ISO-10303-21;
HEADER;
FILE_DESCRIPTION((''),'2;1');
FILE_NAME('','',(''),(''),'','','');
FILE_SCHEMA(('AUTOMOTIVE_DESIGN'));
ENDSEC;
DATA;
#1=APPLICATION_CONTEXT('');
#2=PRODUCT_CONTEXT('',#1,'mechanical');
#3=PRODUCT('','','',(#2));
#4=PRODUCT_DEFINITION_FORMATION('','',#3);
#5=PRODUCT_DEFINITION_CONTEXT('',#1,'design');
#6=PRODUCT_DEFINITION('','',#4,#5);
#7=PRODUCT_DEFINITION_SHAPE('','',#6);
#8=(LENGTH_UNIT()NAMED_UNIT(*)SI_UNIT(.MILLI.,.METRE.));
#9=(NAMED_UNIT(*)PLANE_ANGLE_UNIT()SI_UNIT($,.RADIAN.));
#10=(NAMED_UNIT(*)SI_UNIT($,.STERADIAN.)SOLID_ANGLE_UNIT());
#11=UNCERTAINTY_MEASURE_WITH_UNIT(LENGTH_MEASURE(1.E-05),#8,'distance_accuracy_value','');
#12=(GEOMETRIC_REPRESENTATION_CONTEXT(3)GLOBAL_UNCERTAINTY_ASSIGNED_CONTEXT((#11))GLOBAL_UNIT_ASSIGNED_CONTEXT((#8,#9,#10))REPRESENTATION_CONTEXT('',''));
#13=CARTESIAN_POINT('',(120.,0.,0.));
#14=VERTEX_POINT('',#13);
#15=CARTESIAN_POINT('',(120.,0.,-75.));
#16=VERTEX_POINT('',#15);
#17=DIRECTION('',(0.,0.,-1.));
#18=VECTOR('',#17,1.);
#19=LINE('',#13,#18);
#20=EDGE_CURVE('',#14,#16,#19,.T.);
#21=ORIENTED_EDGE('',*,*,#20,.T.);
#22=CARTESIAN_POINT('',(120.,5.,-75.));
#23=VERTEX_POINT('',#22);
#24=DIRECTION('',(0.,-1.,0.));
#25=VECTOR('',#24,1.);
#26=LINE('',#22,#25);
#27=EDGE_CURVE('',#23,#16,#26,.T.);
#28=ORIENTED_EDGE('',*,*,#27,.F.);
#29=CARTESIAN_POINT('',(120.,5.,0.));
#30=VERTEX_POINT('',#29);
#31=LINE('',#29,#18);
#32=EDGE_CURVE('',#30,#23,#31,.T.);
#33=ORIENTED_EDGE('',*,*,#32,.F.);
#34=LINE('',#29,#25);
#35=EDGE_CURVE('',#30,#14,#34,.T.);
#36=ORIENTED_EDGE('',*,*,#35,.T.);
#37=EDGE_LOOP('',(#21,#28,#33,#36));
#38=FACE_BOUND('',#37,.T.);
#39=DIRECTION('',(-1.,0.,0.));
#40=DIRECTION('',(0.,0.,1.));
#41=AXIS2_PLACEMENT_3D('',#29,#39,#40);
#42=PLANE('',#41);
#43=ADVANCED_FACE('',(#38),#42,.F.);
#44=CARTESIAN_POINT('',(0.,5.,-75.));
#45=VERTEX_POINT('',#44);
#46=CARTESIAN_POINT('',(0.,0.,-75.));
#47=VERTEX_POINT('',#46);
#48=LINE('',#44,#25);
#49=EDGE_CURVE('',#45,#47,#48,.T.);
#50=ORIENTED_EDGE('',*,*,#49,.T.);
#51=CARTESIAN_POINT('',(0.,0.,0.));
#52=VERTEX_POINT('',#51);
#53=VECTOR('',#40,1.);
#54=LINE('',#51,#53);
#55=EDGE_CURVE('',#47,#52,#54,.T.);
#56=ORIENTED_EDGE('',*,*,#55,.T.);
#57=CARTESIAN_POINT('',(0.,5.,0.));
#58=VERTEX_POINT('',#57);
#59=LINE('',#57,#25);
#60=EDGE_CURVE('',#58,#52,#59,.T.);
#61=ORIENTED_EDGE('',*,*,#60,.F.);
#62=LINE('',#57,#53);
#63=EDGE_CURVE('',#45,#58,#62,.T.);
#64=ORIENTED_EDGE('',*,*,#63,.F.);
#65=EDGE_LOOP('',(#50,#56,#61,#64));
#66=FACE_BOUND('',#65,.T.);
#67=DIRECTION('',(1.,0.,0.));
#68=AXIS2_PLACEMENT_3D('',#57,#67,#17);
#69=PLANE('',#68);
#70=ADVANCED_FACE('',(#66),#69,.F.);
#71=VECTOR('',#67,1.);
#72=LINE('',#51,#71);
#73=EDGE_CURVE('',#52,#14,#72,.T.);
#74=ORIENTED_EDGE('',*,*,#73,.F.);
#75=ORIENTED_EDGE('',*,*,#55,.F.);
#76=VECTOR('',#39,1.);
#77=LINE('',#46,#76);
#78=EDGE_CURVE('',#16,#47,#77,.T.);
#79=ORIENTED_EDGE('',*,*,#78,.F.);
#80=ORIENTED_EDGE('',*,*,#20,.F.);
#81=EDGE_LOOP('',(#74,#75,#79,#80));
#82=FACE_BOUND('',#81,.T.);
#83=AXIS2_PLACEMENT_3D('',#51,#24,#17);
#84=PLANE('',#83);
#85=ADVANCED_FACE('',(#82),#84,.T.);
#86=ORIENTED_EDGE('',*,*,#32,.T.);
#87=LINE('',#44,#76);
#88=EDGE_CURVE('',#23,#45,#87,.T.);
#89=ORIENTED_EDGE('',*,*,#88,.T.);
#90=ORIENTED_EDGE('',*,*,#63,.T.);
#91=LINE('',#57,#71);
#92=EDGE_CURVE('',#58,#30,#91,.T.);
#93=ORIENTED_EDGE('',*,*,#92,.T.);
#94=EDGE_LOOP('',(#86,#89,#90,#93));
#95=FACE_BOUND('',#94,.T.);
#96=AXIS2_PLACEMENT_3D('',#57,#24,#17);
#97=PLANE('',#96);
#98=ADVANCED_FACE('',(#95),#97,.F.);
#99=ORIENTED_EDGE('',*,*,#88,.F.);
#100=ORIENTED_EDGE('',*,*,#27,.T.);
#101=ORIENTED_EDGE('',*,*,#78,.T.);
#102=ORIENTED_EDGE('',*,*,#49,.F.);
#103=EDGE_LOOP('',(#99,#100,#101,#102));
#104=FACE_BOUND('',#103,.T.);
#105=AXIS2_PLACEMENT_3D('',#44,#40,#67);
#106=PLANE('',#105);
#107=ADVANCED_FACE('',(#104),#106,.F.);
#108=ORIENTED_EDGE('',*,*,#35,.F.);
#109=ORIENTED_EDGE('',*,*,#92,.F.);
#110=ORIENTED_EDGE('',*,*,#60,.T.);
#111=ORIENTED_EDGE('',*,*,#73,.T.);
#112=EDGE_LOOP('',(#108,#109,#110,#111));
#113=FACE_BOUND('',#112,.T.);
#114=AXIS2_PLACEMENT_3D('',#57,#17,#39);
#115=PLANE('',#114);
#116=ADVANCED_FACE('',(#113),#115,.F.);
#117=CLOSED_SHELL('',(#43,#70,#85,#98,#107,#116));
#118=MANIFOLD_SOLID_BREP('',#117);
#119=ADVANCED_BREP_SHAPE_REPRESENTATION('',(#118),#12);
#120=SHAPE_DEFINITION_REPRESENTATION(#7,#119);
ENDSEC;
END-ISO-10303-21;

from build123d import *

# Parameters (mm, degrees)
SKIZZE1_W                       = 120
SKIZZE1_H                       = 75
AUFSATZ_LINEAR_AUSTRAGEN1_DEPTH = 5


with BuildPart() as part:
    # Skizze1 → Aufsatz-Linear austragen1 (new body)
    with BuildSketch(Plane(origin=(0, 0, 0), x_dir=(1, 0, 0), z_dir=(0, 1, 0))):
        with Locations((60, 37.5)):
            Rectangle(SKIZZE1_W, SKIZZE1_H)
    extrude(amount=AUFSATZ_LINEAR_AUSTRAGEN1_DEPTH)


solid = part.part
